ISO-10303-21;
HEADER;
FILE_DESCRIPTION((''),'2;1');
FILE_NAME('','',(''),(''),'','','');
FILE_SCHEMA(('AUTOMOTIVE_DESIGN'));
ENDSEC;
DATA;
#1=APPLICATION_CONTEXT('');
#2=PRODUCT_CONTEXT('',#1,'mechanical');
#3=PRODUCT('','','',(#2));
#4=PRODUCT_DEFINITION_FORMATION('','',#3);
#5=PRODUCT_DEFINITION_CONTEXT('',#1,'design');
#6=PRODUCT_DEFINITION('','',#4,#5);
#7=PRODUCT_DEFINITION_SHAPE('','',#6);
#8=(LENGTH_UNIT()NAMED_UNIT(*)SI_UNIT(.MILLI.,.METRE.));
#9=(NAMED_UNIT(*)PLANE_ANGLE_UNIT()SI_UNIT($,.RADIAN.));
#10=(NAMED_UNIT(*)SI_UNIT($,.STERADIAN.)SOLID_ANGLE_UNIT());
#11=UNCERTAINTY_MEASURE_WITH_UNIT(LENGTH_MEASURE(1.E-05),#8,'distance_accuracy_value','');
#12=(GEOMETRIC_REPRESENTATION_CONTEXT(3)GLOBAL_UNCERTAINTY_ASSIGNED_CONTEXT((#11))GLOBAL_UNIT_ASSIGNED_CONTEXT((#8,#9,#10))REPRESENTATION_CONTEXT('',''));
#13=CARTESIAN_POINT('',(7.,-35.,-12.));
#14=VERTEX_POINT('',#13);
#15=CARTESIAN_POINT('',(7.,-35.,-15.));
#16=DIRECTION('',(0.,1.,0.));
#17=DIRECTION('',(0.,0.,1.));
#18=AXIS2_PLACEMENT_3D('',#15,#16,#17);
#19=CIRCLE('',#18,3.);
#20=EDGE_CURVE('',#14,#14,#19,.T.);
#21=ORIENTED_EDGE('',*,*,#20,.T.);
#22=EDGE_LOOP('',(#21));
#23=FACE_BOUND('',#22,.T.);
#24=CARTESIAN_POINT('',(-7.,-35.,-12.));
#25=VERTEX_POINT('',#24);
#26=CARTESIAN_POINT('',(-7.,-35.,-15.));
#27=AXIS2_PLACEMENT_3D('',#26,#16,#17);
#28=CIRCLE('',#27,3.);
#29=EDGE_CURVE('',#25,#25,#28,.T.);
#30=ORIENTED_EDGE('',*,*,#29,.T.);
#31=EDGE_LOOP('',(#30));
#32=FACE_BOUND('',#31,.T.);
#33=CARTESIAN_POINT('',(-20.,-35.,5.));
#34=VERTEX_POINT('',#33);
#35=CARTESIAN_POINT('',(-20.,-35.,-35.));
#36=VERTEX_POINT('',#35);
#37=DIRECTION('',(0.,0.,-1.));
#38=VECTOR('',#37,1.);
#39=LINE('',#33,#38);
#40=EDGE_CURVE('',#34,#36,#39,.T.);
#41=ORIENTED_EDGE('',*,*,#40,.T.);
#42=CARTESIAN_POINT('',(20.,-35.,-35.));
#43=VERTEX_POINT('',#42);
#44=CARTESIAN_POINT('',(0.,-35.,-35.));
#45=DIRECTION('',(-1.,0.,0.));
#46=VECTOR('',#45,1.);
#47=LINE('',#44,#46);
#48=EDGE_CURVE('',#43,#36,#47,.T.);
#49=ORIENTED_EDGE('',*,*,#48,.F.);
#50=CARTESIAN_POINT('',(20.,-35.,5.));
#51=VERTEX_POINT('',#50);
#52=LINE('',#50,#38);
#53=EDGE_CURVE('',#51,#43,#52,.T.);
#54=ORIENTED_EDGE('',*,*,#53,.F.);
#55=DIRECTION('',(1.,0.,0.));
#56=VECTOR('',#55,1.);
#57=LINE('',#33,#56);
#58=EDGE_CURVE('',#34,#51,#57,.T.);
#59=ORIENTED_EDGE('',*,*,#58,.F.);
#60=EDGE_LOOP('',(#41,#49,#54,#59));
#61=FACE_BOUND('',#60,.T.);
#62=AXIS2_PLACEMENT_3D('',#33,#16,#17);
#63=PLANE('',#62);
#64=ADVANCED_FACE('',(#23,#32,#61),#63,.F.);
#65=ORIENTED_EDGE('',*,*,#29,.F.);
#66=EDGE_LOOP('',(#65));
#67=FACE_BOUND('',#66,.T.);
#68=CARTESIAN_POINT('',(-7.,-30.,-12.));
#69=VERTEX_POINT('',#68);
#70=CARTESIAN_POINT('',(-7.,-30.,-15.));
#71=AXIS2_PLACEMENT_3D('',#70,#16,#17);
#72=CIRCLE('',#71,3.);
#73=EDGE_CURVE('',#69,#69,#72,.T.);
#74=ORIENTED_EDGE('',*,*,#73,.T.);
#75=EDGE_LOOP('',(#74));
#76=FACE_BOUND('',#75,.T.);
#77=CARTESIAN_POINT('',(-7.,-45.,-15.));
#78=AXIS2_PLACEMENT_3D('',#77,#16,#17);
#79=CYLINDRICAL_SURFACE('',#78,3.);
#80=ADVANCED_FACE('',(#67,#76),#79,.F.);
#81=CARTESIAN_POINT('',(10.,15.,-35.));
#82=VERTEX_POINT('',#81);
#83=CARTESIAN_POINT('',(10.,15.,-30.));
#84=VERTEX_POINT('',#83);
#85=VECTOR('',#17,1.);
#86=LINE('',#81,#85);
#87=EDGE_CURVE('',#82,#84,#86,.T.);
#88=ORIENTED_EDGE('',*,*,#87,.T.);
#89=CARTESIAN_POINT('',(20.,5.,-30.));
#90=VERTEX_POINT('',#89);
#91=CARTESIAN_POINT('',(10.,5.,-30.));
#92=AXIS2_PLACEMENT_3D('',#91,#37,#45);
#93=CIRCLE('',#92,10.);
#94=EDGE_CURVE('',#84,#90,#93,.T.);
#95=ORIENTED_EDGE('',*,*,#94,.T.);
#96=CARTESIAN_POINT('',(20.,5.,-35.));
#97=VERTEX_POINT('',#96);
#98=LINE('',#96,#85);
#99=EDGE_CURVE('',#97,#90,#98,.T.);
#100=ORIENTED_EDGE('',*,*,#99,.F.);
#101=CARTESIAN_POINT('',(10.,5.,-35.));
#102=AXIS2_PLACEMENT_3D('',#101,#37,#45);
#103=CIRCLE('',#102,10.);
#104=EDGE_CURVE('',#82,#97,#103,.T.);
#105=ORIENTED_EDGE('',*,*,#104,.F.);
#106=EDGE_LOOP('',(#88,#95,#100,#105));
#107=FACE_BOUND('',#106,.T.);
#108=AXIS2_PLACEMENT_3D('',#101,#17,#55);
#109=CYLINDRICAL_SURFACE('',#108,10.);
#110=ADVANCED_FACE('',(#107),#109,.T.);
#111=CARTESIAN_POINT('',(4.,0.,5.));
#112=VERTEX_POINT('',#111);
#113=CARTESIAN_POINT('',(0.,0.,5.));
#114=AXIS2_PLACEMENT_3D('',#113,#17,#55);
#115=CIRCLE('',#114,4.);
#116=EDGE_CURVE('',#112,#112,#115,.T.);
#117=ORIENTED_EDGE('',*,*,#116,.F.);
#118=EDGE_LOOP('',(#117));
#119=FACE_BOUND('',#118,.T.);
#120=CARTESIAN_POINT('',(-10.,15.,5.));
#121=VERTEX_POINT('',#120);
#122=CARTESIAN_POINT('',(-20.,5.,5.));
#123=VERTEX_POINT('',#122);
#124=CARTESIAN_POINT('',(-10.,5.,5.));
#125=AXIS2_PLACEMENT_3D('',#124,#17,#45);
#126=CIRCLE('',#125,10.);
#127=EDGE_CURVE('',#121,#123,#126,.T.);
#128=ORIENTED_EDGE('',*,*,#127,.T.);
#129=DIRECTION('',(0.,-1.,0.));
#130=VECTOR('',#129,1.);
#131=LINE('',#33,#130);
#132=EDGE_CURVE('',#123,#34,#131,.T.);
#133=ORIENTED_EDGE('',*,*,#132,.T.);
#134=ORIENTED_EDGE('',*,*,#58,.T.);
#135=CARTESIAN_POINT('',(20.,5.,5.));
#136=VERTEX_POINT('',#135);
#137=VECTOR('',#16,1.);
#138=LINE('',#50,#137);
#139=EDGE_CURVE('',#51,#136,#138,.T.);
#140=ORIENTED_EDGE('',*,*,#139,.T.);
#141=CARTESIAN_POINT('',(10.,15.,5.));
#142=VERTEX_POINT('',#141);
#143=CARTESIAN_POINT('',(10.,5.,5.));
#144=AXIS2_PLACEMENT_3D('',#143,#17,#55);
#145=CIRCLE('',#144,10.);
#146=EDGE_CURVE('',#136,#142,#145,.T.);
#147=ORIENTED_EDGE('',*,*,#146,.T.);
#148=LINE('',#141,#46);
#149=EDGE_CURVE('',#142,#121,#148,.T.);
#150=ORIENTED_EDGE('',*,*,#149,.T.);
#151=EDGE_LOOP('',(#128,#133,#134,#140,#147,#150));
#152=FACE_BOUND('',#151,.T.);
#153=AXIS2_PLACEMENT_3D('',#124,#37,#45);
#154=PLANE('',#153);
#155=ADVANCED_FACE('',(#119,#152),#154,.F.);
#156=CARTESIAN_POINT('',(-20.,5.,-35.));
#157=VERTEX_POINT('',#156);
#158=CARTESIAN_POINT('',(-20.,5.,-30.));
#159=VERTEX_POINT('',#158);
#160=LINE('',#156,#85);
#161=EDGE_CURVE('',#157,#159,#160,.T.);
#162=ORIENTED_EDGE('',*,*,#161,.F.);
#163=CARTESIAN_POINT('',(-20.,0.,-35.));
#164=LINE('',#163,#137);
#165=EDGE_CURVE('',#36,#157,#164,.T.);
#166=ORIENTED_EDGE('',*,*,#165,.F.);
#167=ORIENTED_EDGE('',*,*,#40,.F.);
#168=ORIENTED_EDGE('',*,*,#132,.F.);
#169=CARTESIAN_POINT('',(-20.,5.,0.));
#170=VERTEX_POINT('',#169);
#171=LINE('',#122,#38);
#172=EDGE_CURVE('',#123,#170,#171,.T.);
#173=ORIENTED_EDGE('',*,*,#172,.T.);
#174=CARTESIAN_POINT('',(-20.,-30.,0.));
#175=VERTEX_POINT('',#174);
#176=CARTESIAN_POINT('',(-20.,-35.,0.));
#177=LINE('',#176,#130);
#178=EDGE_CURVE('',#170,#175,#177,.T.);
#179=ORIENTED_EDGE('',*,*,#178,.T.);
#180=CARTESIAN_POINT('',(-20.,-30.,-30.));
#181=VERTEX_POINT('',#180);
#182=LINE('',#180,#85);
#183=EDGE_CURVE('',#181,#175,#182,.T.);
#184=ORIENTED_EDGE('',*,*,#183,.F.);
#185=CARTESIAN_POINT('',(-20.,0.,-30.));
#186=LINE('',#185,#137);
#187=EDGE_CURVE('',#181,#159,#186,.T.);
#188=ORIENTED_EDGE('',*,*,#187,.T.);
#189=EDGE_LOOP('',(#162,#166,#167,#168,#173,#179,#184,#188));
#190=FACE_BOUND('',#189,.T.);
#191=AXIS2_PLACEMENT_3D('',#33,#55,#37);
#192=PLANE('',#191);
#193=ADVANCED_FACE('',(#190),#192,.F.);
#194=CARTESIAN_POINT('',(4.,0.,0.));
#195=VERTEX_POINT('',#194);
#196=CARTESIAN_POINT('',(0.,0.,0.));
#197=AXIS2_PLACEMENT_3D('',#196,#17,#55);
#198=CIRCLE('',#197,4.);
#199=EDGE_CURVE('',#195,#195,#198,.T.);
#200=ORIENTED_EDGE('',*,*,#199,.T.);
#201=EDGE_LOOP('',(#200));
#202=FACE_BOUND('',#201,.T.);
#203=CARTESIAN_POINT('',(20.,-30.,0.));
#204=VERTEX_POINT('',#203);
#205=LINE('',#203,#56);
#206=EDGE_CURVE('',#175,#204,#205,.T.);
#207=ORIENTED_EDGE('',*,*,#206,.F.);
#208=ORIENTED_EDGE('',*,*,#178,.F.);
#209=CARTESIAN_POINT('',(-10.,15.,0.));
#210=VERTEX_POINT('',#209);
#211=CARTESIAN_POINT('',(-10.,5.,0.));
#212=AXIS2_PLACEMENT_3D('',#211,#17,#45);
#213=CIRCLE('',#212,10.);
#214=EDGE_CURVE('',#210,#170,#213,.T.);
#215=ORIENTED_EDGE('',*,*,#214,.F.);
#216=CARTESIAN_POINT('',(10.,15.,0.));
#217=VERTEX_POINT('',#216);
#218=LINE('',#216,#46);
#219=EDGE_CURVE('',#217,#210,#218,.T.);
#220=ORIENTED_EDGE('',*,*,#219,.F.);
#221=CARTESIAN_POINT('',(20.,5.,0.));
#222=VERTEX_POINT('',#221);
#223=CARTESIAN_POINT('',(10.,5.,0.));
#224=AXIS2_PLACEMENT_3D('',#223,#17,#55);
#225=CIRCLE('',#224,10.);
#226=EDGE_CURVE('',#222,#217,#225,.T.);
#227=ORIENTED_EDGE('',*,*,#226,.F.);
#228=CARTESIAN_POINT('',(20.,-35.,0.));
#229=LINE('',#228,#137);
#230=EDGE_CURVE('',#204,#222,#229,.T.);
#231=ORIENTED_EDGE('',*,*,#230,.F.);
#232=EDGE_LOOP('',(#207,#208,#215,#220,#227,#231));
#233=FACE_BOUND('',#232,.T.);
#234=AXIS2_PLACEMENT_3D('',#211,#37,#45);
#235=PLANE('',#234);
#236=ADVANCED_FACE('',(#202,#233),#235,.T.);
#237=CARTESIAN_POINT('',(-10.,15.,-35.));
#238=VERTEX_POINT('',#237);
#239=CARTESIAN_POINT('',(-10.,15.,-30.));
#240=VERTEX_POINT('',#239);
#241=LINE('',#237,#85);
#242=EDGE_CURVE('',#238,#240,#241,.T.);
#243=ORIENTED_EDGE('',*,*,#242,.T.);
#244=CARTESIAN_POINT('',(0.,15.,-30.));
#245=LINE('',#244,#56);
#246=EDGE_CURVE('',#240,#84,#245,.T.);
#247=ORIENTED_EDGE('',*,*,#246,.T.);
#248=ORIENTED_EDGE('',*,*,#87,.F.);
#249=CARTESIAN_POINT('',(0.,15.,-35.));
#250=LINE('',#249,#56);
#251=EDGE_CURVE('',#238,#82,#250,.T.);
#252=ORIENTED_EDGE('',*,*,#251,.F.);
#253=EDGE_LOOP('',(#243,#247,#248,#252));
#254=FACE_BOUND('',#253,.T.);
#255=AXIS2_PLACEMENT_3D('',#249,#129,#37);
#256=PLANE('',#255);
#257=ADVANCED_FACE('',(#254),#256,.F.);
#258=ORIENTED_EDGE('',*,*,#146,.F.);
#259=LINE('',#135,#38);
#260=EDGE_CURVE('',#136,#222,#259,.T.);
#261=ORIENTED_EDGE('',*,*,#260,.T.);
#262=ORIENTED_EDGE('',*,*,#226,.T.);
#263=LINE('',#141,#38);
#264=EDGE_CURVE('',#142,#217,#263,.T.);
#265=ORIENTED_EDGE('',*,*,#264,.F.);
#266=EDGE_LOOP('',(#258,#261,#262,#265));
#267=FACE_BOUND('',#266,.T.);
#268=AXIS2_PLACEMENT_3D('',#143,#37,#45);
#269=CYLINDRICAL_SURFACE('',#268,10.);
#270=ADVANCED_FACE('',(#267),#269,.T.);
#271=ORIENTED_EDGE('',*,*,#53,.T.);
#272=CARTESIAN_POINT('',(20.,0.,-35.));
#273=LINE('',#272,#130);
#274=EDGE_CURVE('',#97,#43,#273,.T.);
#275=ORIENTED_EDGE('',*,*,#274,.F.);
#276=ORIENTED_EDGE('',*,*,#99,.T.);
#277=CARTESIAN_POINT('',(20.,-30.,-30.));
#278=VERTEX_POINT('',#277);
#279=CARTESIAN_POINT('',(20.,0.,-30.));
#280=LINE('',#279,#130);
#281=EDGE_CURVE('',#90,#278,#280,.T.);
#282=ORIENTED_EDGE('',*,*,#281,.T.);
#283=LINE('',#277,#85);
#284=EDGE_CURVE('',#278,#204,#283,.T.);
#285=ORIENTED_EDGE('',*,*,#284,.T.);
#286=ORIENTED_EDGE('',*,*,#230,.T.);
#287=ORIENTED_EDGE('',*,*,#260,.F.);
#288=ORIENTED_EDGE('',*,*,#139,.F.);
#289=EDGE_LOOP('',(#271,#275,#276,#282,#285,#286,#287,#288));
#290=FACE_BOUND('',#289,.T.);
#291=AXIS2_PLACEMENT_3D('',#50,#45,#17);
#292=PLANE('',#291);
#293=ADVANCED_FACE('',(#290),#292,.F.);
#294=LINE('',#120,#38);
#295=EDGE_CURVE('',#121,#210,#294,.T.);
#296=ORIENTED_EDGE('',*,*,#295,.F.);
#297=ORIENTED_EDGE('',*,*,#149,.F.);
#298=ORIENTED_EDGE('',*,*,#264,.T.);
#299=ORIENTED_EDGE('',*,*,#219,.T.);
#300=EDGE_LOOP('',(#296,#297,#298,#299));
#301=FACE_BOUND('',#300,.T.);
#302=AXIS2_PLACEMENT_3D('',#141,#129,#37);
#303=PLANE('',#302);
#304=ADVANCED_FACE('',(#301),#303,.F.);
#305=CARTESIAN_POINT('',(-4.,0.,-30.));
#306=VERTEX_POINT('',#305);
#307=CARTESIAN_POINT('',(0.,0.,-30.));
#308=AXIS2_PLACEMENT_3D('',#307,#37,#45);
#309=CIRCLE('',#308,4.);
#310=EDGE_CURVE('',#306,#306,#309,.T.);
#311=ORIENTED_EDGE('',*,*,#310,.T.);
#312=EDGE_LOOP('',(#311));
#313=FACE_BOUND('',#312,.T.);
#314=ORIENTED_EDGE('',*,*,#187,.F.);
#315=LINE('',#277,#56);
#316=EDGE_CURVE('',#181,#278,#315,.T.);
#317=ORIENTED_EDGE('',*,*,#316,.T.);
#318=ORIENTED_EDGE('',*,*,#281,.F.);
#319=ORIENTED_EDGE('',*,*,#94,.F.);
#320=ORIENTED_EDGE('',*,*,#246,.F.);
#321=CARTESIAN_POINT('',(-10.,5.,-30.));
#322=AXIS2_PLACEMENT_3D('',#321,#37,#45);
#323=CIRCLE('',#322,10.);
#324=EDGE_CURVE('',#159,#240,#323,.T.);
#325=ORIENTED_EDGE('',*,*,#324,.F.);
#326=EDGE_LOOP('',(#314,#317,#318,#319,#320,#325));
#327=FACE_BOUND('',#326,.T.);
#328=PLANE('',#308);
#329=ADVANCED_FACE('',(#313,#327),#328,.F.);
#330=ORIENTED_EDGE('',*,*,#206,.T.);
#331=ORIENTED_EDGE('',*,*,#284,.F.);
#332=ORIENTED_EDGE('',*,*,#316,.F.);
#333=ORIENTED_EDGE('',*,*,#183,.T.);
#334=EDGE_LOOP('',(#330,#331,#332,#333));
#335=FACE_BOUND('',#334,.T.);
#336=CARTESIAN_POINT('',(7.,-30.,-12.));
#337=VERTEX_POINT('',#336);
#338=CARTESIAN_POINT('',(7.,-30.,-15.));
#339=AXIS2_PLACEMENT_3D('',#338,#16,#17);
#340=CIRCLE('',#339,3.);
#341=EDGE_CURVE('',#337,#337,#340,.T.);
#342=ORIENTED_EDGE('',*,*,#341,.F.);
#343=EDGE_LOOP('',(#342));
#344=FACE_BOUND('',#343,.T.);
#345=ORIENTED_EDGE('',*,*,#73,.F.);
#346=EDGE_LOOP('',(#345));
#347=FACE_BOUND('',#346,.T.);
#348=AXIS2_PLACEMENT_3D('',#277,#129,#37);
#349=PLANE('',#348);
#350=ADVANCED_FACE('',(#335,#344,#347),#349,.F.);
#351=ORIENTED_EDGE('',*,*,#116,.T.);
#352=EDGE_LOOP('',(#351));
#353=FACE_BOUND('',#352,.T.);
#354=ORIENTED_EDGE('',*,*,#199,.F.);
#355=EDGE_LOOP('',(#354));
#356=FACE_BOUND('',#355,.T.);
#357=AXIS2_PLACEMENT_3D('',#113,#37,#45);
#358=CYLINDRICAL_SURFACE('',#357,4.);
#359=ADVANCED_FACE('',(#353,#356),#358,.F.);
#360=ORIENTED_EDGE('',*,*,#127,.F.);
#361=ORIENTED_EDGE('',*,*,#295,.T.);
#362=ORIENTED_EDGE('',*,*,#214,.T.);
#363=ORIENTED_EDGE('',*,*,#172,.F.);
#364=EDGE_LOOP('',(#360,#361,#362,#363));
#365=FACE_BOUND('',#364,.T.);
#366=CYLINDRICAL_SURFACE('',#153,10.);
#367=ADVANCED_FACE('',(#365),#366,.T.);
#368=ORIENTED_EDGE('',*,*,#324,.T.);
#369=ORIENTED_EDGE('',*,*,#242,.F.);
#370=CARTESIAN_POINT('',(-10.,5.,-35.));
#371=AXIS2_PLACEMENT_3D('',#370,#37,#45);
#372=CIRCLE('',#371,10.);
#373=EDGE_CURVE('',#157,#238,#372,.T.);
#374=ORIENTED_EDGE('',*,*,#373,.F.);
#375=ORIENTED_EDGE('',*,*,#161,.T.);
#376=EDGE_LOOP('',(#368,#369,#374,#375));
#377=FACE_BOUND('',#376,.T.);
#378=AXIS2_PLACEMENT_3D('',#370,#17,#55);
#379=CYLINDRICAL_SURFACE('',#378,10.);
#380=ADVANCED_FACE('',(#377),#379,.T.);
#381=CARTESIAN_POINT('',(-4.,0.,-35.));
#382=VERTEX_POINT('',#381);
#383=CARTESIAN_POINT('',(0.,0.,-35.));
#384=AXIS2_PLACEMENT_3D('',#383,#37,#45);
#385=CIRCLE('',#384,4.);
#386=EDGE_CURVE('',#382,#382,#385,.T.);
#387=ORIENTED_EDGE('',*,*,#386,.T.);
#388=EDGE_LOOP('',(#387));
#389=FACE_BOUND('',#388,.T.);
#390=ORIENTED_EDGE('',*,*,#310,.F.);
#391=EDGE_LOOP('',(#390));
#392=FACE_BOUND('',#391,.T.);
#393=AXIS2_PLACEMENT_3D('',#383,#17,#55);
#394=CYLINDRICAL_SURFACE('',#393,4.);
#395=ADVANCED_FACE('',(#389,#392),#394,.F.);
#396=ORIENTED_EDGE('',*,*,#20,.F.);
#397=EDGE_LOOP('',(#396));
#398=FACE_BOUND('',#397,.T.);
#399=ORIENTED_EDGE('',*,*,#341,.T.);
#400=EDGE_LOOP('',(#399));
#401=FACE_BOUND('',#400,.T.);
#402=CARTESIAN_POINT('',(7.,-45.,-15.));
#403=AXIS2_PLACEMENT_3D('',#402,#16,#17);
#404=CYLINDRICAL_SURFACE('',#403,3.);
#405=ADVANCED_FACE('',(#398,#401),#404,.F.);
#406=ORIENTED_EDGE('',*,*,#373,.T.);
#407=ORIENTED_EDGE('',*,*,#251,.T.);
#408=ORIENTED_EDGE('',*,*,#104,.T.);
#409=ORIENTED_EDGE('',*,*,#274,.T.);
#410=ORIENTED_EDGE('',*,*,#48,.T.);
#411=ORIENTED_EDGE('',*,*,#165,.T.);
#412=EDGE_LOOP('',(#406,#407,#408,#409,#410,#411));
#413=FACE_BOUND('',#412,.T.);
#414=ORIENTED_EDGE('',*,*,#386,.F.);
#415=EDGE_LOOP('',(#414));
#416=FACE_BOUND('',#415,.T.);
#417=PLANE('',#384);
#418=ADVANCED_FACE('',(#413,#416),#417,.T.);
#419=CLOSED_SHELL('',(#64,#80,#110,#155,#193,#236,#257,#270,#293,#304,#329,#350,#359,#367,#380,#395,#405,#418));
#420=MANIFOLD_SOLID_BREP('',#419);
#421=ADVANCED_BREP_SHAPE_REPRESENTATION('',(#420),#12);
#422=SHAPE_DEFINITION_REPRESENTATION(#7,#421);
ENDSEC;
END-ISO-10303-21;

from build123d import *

# Parameters (mm, degrees)
SKETCH1_R           = 4
BOSS_EXTRUDE4_DEPTH = 5
SKETCH4_W           = 40
SKETCH4_H           = 5
BOSS_EXTRUDE5_DEPTH = 30
BOSS_EXTRUDE6_START = 5
SKETCH5_W           = 40
SKETCH5_H           = 5
SKETCH5_R           = 4
BOSS_EXTRUDE6_DEPTH = 5
SKETCH7_R           = 3
CUT_EXTRUDE1_DEPTH  = 15


with BuildPart() as part:
    # Sketch1 → Boss-Extrude4 (new body)
    with BuildSketch(Plane.XY):
        with BuildLine():
            Line((-20, -35), (20, -35))
            Line((20, -35), (20, 5))
            ThreePointArc((20, 5), (17.071067812, 12.071067812), (10, 15))
            Line((10, 15), (-10, 15))
            ThreePointArc((-10, 15), (-17.071067812, 12.071067812), (-20, 5))
            Line((-20, 5), (-20, -35))
        make_face()
        Circle(SKETCH1_R, mode=Mode.SUBTRACT)
    extrude(amount=BOSS_EXTRUDE4_DEPTH)

    # Sketch4 → Boss-Extrude5 (add)
    with BuildSketch(Plane(origin=(0, 0, 0), x_dir=(-1, 0, 0), z_dir=(0, 0, -1))):
        with Locations((0, -32.5)):
            Rectangle(SKETCH4_W, SKETCH4_H)
    extrude(amount=BOSS_EXTRUDE5_DEPTH)

    # Sketch5 → Boss-Extrude6 (add)
    # profile 1 of 2: a face of its own
    with BuildSketch(Plane(origin=(0, 0, -30), x_dir=(-1, 0, 0), z_dir=(0, 0, -1)).offset(BOSS_EXTRUDE6_START)):
        with Locations((0, -32.5)):
            Rectangle(SKETCH5_W, SKETCH5_H)
    # profile 2 of 2: a face of its own
    with BuildSketch(Plane(origin=(0, 0, -30), x_dir=(-1, 0, 0), z_dir=(0, 0, -1)).offset(BOSS_EXTRUDE6_START)):
        with BuildLine():
            Line((-20, 0), (-20, -30))
            Line((-20, -30), (20, -30))
            Line((20, -30), (20, 0))
            Line((20, 0), (20, 5))
            ThreePointArc((20, 5), (17.071067812, 12.071067812), (10, 15))
            Line((10, 15), (-10, 15))
            ThreePointArc((-10, 15), (-17.071067812, 12.071067812), (-20, 5))
            Line((-20, 5), (-20, 0))
        make_face()
        with Locations(Location((0, 0, 0), (0, 0, 180))):
            Circle(SKETCH5_R, mode=Mode.SUBTRACT)
    extrude(amount=-BOSS_EXTRUDE6_DEPTH)

    # Sketch7 → Cut-Extrude1 (cut)
    with BuildSketch(Plane(origin=(0, -30, 0), x_dir=(1, 0, 0), z_dir=(0, 1, 0))):
        with Locations(Location((-7, 15, 0), (0, 0, 270))):
            Circle(SKETCH7_R)
        with Locations(Location((7, 15, 0), (0, 0, 270))):
            Circle(SKETCH7_R)
    extrude(amount=-CUT_EXTRUDE1_DEPTH, mode=Mode.SUBTRACT)


solid = part.part
